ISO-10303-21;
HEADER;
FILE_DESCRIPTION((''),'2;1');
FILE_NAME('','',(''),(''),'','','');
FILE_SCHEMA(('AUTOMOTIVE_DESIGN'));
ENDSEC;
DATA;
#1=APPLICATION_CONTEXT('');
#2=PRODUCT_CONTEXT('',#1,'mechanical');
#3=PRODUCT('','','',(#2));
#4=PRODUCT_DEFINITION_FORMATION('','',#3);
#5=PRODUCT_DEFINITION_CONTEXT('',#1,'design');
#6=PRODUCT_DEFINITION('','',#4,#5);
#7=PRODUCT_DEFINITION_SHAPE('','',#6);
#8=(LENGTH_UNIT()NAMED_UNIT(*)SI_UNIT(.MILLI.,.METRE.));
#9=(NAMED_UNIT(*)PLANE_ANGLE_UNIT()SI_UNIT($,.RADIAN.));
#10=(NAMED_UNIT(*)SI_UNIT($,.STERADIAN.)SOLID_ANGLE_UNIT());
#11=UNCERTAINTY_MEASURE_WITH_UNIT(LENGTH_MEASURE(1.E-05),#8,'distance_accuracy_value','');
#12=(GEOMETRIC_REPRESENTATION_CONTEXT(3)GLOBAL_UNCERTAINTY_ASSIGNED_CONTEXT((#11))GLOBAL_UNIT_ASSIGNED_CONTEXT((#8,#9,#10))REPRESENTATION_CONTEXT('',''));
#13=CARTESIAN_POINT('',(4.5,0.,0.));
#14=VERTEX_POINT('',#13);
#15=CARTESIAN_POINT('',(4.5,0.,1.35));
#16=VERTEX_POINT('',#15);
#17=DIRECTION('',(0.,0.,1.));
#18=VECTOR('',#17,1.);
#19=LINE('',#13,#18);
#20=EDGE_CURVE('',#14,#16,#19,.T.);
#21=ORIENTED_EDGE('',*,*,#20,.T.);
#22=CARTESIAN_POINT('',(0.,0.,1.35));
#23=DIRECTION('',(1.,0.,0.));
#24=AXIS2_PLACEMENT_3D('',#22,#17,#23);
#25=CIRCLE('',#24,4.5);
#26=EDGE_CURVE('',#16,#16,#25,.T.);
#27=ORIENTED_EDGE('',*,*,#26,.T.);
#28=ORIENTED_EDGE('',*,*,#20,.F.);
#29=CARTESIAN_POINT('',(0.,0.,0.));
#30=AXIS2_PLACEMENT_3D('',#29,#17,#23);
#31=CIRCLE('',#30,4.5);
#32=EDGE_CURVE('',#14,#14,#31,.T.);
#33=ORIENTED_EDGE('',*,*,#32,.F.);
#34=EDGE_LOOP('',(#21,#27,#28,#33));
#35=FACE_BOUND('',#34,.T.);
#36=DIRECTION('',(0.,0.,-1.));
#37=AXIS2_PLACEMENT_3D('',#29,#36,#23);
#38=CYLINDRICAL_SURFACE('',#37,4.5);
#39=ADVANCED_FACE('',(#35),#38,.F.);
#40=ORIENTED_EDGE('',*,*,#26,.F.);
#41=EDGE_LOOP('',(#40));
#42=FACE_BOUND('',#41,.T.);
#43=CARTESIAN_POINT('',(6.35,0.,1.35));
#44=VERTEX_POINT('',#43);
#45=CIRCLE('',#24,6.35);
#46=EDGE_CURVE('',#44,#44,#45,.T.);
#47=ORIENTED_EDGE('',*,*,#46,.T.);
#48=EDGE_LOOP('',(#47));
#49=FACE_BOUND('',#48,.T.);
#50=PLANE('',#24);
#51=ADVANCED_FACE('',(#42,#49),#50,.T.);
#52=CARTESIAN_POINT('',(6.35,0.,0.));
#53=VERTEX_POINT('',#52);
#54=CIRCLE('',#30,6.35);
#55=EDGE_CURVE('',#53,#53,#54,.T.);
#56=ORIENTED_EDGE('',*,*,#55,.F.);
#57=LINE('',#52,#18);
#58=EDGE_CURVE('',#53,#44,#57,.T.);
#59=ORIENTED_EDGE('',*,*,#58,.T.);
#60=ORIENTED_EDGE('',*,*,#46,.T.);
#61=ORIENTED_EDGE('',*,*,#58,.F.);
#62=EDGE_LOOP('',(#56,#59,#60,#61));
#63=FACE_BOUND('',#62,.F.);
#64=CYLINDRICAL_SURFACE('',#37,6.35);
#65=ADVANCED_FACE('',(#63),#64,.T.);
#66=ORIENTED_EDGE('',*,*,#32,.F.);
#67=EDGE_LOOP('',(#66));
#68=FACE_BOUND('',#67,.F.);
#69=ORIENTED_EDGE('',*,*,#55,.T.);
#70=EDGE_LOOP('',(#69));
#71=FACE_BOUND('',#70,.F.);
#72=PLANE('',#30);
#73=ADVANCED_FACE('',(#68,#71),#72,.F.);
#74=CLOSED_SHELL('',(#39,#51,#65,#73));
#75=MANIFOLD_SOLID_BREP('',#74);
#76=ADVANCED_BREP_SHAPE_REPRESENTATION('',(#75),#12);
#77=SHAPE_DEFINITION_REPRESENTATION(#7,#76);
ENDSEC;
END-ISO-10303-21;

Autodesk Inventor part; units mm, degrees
ref_plane "YZ Plane" through (0, 0, 0) normal (1, 0, 0) x (0, 1, 0)
ref_plane "XZ Plane" through (0, 0, 0) normal (0, 1, 0) x (-1, 0, 0)
ref_plane "XY Plane" through (0, 0, 0) normal (0, 0, 1) x (1, 0, 0)
sketch "Sketch1" plane through (0, 0, 0) normal (0, 0, 1) x (1, 0, 0)
  circle A0 centre (0, 0) radius 4.5
  circle A1 centre (0, 0) radius 6.35
  dimension "d0" = 9
  dimension "d1" = 12.7
extrude "Extrusion1" add sketch "Sketch1" along normal blind 1.35
properties part number "Module Live Axle Gear Spacer"
